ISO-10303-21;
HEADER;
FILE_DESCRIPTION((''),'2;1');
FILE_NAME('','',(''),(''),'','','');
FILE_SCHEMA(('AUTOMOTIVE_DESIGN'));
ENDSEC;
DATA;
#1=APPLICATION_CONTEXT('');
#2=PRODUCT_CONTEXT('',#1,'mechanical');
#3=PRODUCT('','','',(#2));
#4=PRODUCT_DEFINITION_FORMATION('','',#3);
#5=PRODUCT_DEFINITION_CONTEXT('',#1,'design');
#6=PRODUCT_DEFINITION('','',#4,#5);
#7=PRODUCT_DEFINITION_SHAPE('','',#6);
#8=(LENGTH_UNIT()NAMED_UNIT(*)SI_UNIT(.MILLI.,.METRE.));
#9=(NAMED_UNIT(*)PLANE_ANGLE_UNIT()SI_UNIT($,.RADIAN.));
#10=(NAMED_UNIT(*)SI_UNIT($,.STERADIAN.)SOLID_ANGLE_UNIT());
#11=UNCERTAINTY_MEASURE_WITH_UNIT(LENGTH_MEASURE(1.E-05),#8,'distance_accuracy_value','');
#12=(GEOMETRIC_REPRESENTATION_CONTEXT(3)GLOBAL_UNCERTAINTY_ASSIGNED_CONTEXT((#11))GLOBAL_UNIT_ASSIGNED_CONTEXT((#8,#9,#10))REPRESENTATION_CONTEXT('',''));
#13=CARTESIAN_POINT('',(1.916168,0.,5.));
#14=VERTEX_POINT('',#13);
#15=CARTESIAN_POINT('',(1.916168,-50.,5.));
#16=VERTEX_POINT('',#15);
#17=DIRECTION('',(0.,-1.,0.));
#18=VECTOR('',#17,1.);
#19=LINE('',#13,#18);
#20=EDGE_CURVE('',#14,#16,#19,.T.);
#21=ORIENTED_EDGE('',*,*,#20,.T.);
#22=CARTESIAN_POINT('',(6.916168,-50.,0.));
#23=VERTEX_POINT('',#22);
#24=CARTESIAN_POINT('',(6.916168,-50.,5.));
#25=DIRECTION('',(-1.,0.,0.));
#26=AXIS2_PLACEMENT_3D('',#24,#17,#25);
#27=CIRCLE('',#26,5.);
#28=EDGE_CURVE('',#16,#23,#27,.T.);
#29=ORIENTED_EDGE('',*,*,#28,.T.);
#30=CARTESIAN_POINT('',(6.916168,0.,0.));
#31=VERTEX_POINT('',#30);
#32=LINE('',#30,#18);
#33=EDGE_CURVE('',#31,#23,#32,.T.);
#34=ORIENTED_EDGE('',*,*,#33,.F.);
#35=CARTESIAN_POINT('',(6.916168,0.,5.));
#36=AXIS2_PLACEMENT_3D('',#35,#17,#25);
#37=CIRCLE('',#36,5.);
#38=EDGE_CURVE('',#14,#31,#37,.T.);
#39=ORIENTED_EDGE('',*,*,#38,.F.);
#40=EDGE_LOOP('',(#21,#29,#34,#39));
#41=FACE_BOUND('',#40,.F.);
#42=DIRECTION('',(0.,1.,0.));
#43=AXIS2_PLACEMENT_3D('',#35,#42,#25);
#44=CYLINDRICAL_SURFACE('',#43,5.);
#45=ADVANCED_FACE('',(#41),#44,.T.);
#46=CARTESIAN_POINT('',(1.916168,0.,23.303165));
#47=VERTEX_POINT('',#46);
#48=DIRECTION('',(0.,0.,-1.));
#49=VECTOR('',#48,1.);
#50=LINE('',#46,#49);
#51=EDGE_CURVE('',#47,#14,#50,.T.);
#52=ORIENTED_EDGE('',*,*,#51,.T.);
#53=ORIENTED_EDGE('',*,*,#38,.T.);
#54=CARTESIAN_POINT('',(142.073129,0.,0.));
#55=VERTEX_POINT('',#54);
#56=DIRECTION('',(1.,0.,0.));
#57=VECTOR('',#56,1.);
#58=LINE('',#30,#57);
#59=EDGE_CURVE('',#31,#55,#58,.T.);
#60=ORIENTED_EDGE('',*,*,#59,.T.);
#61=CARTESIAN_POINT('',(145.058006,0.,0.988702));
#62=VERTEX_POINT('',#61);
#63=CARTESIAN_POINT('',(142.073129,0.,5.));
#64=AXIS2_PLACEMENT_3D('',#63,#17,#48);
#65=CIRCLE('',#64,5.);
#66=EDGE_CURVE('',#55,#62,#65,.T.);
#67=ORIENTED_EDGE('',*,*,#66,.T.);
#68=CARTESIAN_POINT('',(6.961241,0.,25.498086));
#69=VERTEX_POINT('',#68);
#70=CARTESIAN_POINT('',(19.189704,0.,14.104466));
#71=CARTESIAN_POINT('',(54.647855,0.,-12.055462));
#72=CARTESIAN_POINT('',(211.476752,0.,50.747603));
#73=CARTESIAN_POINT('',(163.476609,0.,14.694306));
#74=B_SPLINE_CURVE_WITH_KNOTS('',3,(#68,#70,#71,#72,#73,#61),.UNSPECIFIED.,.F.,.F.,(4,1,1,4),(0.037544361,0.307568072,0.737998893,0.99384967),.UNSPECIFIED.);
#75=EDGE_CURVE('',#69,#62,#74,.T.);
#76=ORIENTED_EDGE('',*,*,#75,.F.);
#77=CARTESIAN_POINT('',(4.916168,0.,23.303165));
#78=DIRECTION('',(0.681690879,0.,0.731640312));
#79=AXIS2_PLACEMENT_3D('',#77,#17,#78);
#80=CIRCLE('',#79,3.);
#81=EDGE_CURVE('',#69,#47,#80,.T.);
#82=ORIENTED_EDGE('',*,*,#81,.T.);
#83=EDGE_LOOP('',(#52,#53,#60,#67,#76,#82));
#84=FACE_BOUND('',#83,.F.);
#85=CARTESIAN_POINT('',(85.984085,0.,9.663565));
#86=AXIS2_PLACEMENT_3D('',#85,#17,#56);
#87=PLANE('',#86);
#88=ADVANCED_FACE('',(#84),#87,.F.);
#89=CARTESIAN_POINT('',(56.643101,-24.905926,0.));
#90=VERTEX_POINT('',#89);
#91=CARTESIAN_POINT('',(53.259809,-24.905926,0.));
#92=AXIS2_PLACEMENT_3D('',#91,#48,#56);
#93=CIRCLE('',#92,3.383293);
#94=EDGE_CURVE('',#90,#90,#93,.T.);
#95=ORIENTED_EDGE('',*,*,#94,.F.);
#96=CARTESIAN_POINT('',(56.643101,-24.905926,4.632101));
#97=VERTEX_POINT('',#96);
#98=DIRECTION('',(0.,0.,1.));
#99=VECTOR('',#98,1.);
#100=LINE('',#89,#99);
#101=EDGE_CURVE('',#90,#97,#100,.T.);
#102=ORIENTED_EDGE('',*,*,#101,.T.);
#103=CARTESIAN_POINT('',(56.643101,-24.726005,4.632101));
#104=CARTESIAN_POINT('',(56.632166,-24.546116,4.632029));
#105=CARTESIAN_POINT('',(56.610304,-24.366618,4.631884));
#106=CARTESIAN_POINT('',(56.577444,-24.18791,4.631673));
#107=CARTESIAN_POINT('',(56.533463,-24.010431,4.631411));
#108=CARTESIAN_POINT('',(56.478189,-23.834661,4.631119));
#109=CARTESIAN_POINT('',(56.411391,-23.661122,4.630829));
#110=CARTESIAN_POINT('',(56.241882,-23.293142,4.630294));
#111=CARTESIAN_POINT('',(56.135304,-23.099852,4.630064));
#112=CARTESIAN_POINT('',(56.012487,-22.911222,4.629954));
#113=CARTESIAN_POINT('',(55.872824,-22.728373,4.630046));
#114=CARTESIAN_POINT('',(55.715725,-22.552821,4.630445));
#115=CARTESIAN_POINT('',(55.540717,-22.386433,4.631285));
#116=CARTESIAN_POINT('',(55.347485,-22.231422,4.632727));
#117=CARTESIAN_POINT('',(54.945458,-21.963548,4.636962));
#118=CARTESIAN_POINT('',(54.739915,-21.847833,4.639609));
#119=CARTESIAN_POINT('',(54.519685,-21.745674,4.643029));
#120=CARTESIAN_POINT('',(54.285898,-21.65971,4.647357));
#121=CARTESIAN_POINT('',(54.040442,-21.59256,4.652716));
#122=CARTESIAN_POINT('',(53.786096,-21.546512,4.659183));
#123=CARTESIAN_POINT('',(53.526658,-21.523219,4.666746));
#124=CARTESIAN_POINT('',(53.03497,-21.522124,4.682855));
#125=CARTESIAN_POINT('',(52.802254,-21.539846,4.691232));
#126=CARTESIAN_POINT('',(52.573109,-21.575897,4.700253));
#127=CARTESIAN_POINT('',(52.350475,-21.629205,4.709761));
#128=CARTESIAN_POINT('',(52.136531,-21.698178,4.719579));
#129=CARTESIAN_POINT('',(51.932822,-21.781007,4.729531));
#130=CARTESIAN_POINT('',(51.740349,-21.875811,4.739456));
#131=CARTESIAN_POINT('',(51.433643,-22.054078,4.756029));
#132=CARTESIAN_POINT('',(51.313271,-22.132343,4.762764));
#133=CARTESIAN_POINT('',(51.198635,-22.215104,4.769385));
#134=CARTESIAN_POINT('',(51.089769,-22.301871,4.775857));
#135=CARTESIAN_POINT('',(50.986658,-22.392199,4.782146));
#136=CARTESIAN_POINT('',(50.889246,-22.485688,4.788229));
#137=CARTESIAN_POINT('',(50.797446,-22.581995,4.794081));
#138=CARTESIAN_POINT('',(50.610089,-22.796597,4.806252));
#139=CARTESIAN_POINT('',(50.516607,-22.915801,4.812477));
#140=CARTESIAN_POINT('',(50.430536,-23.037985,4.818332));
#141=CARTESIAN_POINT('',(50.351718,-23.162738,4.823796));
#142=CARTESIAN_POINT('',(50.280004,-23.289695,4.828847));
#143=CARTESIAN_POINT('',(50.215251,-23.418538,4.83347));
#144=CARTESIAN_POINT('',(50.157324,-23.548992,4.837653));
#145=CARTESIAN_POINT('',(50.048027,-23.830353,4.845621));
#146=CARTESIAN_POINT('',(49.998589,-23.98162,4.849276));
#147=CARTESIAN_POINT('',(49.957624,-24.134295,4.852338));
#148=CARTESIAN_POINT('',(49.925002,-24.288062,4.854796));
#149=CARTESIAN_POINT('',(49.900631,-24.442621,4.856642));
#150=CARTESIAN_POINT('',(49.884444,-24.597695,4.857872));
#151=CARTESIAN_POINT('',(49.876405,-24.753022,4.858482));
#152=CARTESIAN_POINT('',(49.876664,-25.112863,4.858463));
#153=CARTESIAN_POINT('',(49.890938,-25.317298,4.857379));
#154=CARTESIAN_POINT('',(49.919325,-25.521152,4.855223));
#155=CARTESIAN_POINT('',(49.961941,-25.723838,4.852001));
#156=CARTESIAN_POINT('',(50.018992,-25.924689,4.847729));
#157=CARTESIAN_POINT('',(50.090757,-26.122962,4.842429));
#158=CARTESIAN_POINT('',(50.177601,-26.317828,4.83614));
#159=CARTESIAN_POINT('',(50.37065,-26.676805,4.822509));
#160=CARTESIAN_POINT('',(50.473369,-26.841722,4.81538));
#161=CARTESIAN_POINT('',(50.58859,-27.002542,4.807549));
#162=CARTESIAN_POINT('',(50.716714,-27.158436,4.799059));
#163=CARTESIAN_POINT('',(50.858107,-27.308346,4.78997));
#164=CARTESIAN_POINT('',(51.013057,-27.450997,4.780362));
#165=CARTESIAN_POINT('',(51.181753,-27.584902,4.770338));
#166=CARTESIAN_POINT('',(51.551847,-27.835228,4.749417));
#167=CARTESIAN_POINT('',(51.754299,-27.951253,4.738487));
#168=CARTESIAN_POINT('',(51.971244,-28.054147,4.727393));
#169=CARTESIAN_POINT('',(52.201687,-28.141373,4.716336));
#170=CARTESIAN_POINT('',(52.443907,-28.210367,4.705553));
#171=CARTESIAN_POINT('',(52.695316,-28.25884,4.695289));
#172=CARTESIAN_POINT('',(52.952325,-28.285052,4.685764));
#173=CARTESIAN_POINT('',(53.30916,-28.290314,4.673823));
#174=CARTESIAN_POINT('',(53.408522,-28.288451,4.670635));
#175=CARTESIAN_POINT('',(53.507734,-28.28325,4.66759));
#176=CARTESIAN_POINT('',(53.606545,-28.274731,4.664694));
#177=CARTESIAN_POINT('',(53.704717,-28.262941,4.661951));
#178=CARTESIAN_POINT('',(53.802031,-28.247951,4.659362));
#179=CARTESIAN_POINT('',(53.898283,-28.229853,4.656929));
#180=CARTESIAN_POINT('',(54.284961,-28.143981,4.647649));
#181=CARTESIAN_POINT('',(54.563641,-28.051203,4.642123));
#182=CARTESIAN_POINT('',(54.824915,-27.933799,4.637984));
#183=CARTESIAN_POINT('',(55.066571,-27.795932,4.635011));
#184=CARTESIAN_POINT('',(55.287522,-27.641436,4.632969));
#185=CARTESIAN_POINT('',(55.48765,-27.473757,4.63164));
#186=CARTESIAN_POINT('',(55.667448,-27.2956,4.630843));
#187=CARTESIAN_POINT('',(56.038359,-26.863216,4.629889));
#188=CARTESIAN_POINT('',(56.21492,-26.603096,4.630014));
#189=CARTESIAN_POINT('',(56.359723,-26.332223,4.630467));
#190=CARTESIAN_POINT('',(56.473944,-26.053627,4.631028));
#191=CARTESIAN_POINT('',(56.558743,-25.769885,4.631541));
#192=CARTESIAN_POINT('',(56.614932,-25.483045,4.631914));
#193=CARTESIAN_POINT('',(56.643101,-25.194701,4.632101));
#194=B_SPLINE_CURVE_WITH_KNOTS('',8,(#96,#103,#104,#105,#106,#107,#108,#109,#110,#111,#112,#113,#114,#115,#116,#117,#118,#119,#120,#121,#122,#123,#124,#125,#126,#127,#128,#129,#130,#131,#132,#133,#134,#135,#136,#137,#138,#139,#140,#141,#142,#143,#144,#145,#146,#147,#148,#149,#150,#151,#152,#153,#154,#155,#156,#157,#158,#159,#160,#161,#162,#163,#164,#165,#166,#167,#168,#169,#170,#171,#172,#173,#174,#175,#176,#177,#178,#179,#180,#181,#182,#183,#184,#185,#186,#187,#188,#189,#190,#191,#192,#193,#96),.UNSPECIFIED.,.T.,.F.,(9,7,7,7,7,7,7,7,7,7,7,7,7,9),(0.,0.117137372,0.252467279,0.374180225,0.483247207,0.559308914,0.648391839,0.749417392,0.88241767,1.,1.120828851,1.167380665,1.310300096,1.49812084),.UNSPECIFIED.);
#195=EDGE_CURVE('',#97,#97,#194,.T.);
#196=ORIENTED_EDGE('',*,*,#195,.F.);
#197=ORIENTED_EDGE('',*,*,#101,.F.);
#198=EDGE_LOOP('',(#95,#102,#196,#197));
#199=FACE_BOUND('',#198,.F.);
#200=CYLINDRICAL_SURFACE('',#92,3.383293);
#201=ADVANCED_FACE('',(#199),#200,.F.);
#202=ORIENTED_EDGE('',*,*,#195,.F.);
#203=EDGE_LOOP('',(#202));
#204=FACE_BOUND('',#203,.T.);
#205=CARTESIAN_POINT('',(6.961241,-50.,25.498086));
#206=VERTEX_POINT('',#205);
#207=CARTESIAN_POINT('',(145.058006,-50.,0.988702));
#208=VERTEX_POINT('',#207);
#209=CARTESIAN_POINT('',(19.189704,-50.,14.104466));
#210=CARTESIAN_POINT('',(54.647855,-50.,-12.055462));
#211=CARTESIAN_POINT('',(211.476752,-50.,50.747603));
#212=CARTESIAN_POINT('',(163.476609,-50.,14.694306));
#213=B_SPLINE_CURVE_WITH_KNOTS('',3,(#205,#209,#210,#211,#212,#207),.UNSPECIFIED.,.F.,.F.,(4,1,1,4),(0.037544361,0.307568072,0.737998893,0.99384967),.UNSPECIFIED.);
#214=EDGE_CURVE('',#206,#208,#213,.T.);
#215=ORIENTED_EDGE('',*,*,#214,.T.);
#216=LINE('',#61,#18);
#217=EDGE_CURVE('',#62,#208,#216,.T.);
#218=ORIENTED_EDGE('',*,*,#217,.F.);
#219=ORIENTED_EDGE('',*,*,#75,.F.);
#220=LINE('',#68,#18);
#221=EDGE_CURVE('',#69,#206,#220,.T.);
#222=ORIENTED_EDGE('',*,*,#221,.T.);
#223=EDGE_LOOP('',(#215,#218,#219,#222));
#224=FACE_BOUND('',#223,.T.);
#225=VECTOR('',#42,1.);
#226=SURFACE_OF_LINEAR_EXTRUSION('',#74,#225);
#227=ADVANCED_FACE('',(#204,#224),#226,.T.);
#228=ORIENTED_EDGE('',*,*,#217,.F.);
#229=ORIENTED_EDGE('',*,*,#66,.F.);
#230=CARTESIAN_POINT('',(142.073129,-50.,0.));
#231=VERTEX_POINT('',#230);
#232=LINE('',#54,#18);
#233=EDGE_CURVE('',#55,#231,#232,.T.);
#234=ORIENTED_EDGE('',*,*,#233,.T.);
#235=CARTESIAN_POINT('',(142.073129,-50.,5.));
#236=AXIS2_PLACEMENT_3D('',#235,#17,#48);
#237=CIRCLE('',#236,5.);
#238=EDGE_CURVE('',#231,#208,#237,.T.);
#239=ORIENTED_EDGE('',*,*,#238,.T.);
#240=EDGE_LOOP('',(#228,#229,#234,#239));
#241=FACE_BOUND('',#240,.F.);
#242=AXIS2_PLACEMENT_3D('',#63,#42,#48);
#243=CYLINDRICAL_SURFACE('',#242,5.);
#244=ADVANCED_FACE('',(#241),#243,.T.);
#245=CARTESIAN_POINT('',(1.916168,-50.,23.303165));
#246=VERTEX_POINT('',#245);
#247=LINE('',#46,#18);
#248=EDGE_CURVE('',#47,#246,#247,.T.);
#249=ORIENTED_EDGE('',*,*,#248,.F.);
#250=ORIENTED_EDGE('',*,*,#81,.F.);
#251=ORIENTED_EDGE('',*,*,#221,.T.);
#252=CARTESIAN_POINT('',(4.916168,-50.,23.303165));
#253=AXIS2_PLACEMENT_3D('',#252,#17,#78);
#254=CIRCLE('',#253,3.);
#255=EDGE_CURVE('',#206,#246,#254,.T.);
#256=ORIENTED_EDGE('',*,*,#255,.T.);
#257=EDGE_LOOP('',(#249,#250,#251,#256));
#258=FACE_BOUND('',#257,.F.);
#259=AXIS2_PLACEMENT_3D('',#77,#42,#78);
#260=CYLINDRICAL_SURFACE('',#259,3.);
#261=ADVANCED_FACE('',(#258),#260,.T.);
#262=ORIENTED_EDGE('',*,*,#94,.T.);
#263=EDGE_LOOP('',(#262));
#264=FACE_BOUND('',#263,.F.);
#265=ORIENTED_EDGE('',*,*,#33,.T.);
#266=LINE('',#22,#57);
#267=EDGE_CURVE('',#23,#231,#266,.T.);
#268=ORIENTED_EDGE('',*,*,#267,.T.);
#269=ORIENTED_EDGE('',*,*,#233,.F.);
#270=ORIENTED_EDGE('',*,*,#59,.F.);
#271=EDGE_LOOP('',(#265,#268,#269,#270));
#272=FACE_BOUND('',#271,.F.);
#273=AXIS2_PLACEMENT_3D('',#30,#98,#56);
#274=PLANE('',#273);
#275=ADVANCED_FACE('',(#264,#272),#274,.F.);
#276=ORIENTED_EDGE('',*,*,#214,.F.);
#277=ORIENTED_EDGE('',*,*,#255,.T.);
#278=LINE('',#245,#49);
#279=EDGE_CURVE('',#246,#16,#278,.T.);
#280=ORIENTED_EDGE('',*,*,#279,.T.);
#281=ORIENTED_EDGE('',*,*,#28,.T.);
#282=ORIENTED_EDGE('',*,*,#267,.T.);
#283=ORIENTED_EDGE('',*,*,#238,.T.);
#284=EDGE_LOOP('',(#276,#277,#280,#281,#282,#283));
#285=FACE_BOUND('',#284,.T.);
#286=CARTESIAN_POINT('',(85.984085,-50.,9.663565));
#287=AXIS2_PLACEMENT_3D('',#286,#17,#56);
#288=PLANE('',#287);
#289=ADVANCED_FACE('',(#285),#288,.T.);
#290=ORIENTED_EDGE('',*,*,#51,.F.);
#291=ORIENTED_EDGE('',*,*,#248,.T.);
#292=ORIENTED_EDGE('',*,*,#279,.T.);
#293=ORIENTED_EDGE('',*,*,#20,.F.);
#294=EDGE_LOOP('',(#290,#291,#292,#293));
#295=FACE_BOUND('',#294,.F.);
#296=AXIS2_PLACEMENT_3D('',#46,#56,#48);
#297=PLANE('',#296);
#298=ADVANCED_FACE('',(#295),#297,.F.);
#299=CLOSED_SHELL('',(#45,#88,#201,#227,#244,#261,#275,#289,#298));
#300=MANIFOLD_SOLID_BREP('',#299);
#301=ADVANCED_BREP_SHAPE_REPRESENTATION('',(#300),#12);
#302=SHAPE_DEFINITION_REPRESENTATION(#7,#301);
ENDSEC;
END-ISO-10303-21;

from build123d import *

# Parameters (mm, degrees)
F0_W     = 180
F0_H     = 30
F1_DEPTH = 50
F3_DEPTH = 50
F5_R     = 3.383292764
F6_DEPTH = 25


with BuildPart() as f1:
    # F0 (on Front) → F1 (new body)
    with BuildSketch(Plane.XZ):
        with Locations((90, 15)):
            Rectangle(F0_W, F0_H)
    extrude(amount=F1_DEPTH)


with BuildPart() as f3:
    # F2 (on Front) → F3 (new body, through all)
    with BuildSketch(Plane.XZ):
        with BuildLine():
            ThreePointArc((1.9161681412, 5), (3.3806342352, 1.4644660941), (6.9161681412, 0))
            Line((6.9161681412, 0), (142.0731289296, 0))
            ThreePointArc((142.0731289296, 0), (143.6453106538, 0.2536071985), (145.0580057369, 0.9887021495))
            add(Edge.make_bspline(
                [(6.9612407783, 25.4980860864), (19.1897035579, 14.1044662842), (54.6478549175, -12.055462272), (211.476752324, 50.7476026056), (163.4766085339, 14.6943062607), (145.0580057369, 0.9887021495)],
                knots=[0.0375443609, 0.0375443609, 0.0375443609, 0.0375443609, 0.3075680716, 0.7379988926, 0.9938496703, 0.9938496703, 0.9938496703, 0.9938496703], degree=3))
            ThreePointArc((6.9612407783, 25.4980860864), (3.7193427386, 26.0540938961), (1.9161681412, 23.3031651519))
            Line((1.9161681412, 23.3031651519), (1.9161681412, 5))
        make_face()
    extrude(amount=F3_DEPTH)

    # F5 (on face) → F6 (cut)
    with BuildSketch(Plane(origin=(0, 0, 0), x_dir=(1, 0, 0), z_dir=(0, 0, -1))):
        with Locations((53.2598085701, 24.9059256166)):
            Circle(F5_R)
    extrude(amount=-F6_DEPTH, mode=Mode.SUBTRACT)


solid = f3.part
